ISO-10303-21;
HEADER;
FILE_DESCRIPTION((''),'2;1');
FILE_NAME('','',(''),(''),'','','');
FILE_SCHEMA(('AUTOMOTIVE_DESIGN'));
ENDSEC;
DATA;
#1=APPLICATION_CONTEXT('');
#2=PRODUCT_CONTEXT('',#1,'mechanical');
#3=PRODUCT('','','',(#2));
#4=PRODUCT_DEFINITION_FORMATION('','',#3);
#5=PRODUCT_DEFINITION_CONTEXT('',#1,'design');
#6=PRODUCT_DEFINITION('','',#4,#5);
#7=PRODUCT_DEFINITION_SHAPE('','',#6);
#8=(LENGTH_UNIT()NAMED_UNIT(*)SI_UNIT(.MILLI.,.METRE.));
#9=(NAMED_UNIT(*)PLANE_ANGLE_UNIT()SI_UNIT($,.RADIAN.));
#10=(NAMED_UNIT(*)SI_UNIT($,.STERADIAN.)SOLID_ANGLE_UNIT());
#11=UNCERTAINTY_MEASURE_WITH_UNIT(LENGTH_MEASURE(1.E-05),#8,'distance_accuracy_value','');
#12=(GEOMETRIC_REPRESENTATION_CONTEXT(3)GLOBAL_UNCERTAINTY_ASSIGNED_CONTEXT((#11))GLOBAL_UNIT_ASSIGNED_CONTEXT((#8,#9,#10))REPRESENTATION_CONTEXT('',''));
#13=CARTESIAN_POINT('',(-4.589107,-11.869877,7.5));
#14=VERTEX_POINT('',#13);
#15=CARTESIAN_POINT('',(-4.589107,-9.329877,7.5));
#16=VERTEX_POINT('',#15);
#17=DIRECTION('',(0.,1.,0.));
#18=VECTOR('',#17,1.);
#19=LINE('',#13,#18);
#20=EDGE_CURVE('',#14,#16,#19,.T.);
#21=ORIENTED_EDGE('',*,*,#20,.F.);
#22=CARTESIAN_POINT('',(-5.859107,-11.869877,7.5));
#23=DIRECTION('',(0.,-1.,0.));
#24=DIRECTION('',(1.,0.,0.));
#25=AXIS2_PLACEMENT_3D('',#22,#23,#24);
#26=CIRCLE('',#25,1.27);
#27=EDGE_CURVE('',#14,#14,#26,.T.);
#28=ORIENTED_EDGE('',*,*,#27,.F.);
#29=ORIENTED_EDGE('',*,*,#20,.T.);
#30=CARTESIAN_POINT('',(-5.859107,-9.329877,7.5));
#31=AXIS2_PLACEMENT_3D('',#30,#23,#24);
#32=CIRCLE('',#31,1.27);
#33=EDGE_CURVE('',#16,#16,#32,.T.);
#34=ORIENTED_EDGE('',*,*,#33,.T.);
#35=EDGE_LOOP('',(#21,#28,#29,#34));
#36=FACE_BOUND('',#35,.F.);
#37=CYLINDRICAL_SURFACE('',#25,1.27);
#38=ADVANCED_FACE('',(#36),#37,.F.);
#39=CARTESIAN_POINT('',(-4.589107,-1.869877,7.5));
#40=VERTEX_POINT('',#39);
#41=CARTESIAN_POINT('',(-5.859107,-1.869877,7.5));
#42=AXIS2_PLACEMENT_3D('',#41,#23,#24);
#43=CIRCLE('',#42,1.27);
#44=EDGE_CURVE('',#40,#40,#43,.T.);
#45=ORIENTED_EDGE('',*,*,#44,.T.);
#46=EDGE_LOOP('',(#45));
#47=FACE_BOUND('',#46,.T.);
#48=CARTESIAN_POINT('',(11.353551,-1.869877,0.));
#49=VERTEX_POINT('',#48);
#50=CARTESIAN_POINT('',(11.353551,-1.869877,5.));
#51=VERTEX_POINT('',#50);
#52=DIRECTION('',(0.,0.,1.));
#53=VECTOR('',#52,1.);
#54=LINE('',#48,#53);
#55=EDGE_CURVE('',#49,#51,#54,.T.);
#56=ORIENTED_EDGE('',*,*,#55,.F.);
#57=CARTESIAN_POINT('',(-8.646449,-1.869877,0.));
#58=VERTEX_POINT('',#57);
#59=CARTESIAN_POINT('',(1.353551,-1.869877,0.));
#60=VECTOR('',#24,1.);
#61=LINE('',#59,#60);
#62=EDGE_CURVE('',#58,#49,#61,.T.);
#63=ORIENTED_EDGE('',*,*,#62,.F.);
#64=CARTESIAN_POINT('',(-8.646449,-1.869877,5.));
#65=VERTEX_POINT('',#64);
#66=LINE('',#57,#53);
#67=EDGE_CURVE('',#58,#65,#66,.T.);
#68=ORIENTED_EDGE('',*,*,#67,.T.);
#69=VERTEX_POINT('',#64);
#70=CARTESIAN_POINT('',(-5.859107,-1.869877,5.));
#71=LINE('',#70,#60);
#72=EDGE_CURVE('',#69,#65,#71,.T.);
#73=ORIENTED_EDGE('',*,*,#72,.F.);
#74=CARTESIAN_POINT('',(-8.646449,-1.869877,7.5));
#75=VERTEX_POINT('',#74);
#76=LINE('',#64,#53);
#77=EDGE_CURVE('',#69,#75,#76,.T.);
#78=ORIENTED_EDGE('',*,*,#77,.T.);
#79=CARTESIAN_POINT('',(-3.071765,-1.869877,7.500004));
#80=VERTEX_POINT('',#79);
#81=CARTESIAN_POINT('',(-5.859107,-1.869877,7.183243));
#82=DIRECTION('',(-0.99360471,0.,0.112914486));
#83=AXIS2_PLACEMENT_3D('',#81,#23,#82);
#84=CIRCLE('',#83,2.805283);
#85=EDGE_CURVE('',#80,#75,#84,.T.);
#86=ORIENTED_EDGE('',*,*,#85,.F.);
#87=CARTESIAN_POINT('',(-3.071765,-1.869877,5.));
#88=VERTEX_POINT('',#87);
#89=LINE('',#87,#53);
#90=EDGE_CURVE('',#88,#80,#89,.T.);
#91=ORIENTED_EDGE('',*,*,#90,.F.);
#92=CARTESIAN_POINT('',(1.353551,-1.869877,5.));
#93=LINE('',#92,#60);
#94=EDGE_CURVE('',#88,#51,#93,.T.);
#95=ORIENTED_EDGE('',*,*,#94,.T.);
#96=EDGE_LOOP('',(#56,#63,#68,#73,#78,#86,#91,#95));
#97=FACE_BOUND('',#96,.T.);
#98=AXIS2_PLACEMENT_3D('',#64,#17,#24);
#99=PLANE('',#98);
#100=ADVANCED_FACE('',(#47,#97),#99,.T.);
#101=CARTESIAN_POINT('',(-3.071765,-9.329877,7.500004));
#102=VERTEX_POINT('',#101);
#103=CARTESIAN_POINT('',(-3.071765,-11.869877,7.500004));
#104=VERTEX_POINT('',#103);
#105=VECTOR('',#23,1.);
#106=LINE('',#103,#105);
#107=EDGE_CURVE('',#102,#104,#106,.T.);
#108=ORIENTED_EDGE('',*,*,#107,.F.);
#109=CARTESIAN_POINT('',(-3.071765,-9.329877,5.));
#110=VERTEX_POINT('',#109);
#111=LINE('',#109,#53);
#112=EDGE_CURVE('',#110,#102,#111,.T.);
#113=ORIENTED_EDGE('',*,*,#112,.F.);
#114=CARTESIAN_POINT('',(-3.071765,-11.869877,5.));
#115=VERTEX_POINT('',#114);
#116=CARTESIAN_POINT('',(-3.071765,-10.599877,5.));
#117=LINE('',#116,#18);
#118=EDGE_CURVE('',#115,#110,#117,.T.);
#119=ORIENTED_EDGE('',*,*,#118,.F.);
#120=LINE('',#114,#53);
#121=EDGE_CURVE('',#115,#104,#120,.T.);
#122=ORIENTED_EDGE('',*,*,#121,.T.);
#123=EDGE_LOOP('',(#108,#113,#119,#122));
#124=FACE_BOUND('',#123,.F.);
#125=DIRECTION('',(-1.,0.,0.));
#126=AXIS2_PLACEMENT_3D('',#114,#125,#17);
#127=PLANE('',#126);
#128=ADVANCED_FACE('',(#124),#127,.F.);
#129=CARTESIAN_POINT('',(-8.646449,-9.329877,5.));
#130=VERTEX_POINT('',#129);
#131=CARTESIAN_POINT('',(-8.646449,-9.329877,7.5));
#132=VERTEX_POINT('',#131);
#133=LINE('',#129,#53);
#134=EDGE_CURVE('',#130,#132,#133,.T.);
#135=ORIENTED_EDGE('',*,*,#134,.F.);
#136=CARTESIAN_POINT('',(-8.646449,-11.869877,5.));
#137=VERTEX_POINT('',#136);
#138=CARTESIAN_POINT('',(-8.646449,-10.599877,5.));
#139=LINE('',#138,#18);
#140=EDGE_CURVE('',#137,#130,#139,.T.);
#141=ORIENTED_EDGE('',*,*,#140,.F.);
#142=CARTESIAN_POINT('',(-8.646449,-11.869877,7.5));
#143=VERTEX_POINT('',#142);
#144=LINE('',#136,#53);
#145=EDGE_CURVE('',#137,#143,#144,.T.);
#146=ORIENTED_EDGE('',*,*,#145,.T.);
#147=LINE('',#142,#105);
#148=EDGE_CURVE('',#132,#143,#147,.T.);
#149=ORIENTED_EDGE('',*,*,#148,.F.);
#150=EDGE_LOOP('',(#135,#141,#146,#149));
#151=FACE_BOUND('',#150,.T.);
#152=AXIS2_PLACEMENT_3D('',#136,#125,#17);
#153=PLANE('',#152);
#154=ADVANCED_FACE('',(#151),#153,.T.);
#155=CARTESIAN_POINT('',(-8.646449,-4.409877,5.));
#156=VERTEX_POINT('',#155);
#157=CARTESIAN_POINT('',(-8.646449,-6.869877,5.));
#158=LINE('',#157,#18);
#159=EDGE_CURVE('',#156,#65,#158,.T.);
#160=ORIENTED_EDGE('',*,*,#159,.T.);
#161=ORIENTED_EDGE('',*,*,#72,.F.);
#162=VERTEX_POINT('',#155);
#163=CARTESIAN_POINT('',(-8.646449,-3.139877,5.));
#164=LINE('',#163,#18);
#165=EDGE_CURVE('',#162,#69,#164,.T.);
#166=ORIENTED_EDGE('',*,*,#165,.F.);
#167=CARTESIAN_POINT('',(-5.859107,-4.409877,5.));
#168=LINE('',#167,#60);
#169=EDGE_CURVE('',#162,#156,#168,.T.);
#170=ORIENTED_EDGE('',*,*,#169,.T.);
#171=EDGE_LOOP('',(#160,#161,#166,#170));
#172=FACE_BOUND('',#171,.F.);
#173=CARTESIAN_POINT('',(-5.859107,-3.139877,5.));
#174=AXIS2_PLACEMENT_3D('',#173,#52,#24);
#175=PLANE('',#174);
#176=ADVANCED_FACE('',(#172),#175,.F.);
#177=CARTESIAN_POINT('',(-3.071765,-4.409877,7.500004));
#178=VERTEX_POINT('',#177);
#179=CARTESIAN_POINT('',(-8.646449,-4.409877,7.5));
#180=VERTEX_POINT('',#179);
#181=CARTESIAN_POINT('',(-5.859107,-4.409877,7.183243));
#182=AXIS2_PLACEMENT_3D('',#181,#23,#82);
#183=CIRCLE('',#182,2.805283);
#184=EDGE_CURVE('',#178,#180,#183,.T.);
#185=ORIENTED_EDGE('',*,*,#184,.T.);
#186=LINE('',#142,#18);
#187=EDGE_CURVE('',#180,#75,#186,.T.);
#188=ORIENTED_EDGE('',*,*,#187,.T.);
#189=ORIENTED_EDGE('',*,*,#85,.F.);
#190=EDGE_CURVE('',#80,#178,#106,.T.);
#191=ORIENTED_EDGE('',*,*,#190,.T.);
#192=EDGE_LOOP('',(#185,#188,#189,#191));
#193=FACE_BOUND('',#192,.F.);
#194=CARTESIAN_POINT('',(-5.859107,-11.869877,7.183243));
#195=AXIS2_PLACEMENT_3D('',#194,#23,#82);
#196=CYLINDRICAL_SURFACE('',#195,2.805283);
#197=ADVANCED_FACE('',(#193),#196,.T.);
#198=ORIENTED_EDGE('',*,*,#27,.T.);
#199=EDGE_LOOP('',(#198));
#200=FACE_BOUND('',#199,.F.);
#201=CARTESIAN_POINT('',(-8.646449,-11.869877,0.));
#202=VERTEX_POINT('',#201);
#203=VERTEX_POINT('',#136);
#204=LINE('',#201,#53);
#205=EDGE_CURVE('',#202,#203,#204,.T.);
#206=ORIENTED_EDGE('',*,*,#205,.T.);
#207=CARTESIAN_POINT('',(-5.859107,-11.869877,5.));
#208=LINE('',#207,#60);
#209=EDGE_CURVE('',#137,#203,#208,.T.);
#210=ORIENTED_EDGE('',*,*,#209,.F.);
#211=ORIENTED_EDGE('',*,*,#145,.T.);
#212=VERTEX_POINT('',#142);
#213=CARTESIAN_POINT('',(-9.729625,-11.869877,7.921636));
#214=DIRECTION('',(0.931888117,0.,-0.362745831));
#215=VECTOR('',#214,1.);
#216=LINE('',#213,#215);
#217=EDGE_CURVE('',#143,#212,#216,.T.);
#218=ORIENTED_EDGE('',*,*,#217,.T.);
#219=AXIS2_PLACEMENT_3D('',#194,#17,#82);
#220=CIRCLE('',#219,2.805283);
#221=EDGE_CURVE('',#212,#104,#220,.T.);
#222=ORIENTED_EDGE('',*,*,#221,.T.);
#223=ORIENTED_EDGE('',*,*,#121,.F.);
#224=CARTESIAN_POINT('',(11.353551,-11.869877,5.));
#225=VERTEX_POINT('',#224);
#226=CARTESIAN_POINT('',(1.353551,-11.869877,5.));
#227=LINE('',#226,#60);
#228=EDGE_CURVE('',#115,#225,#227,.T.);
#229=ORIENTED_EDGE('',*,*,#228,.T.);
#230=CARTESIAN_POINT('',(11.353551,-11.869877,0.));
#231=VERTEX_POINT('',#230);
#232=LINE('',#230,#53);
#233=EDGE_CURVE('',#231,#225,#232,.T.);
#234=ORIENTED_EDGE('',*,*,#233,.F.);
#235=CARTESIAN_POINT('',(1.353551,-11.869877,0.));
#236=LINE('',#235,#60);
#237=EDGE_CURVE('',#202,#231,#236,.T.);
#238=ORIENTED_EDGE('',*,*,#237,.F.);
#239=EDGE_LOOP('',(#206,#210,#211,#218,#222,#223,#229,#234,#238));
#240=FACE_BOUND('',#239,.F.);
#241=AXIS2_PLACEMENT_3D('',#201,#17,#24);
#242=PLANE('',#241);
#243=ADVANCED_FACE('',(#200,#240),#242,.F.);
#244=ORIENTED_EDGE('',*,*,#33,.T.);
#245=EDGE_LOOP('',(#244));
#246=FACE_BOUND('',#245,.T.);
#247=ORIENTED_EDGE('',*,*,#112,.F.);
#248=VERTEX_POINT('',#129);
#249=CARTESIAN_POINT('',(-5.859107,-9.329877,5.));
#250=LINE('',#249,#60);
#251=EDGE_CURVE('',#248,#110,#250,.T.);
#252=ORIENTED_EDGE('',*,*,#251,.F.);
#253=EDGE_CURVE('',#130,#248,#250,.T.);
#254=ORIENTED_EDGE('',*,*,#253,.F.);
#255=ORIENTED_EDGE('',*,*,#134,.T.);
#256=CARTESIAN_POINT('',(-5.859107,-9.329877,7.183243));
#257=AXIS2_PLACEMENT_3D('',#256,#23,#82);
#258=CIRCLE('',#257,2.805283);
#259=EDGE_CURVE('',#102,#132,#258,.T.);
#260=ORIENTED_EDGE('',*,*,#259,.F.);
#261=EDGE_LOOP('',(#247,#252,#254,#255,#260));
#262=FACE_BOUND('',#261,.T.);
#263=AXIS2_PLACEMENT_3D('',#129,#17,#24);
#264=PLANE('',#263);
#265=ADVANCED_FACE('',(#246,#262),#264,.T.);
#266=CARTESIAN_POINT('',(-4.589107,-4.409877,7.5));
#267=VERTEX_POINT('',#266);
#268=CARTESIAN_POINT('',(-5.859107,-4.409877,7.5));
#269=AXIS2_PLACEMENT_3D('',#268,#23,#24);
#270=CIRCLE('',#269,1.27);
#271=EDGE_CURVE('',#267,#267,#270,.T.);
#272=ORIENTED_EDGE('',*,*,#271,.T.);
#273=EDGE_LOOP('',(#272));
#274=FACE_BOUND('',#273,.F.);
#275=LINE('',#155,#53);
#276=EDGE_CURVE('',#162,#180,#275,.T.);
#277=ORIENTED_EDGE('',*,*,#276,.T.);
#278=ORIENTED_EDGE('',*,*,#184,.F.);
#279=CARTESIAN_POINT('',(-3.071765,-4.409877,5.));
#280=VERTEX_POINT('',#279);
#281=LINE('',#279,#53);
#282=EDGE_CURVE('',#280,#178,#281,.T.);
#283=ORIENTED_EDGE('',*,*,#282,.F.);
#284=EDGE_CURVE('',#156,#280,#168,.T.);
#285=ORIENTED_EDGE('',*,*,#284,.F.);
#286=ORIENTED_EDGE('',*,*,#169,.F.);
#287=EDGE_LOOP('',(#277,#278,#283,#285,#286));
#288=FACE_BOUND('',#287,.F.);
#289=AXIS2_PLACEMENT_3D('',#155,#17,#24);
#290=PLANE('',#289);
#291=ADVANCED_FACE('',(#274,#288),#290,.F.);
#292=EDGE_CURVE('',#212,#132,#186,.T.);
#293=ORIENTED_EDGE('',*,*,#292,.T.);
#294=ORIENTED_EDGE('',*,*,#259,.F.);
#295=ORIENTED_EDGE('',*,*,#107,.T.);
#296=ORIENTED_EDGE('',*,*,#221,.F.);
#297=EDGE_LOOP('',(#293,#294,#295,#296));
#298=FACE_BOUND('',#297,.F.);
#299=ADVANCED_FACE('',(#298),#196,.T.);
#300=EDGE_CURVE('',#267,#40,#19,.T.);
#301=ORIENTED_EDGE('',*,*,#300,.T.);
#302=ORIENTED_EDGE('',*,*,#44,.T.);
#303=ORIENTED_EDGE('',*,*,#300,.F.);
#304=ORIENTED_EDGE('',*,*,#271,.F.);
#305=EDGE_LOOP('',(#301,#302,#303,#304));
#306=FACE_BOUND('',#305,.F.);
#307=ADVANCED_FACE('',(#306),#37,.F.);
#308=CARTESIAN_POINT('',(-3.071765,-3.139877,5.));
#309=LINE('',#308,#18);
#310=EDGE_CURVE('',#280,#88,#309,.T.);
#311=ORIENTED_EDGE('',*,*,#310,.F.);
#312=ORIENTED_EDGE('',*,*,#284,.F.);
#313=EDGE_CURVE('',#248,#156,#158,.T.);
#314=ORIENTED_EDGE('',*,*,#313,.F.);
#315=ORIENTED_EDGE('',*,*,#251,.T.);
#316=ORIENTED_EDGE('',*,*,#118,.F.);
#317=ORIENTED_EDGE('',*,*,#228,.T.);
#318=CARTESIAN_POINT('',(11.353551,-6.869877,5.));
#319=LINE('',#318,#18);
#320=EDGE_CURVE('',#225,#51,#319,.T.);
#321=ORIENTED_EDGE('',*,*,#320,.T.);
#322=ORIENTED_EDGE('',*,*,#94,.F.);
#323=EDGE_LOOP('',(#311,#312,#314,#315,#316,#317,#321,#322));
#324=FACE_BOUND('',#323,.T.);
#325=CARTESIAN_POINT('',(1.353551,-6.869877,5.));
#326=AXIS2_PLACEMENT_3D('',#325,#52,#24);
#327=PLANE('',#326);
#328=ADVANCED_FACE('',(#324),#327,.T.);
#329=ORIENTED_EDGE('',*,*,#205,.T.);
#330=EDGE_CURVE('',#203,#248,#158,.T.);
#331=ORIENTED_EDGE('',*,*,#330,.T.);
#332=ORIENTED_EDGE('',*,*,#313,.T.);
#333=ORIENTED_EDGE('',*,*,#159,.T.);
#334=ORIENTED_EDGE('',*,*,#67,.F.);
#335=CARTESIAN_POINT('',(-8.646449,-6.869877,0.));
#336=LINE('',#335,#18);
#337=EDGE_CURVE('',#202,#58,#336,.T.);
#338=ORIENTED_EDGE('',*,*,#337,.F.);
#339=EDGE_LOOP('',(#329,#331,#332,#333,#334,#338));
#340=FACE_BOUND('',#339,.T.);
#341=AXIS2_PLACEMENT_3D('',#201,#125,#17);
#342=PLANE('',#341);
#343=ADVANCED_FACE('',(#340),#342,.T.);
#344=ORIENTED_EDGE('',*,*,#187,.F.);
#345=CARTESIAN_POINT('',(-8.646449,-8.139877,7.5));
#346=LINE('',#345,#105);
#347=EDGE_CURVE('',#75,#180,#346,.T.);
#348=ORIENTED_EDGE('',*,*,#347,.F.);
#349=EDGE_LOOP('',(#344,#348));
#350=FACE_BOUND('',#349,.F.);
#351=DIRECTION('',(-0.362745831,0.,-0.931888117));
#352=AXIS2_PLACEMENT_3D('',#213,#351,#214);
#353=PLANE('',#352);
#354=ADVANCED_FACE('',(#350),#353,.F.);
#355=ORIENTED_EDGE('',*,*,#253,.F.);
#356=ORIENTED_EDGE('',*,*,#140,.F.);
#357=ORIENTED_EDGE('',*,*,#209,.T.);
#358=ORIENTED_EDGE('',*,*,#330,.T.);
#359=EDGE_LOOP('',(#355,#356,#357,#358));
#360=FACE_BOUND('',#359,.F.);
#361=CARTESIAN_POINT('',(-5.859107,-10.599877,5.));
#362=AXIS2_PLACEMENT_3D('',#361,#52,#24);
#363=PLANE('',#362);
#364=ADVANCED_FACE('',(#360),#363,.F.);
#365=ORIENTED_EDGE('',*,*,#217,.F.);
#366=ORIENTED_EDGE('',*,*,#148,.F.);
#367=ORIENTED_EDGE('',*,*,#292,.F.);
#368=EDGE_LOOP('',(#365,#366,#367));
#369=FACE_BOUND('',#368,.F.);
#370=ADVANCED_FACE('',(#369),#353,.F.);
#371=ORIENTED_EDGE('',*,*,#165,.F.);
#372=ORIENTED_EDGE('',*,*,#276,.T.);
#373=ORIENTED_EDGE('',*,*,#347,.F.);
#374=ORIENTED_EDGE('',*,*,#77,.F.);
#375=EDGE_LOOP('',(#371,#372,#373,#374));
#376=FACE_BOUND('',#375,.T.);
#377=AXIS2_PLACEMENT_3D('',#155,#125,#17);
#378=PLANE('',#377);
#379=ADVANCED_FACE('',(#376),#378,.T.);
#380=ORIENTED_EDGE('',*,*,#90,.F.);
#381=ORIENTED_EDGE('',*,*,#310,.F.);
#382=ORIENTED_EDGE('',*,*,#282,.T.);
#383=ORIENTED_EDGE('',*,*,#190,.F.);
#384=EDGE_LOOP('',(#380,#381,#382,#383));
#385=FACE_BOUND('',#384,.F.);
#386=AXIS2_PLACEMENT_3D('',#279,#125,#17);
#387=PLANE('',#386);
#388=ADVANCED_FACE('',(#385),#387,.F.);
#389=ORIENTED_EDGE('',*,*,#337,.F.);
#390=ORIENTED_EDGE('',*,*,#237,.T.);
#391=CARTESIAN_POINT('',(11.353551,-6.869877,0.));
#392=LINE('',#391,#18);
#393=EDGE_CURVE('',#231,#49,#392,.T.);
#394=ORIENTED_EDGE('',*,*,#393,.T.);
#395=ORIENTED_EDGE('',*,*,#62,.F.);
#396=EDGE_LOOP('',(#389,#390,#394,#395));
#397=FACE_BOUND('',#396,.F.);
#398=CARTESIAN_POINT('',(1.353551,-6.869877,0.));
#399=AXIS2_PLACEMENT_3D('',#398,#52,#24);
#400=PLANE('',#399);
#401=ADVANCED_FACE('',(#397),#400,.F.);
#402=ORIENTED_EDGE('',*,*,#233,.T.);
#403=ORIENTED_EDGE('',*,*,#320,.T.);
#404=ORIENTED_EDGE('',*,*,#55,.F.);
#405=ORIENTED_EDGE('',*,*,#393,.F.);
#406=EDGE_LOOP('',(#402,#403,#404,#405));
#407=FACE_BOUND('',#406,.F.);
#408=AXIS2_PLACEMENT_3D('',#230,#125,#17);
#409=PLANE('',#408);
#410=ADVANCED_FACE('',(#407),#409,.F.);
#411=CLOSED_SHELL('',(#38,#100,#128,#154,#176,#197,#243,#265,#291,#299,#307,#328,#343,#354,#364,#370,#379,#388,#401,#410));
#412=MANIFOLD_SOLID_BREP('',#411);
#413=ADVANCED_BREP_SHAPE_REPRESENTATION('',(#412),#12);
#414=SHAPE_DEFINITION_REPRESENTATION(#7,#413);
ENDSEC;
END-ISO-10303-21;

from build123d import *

# Parameters (mm, degrees)
F0_W     = 20
F0_H     = 10
F1_DEPTH = 5
F2_W     = 5.574685
F2_H     = 2.54
F3_DEPTH = 5
F5_DEPTH = 10.001
F6_R     = 1.27
F7_DEPTH = 10.001


with BuildPart() as f1:
    # F0 (on Top) → F1 (new body)
    with BuildSketch(Plane.XY):
        with Locations((1.353551, -6.869877)):
            Rectangle(F0_W, F0_H)
    extrude(amount=F1_DEPTH)

    # F2 (on face) → F3 (join)
    with BuildSketch(Plane.XY.offset(5)):
        with Locations((-5.859107, -3.139877)):
            Rectangle(F2_W, F2_H)
        with Locations((-5.859107, -10.599877)):
            Rectangle(F2_W, F2_H)
    extrude(amount=F3_DEPTH)

    # F4 (on face) → F5 (cut, through all)
    with BuildSketch(Plane.XZ.offset(11.869877)):
        Polygon((-3.071764, 10), (-3.071764, 7.5), (-2.419111, 7.5), (-2.419111, 10.895025), (-9.260142, 10.895025), (-9.729625, 7.921636), (-8.646449, 7.5), (-8.646449, 10), align=None)
        with BuildLine():
            ThreePointArc((-8.646449, 7.5), (-5.859107, 9.988526), (-3.071764, 7.5))
            Line((-3.071764, 7.5), (-3.071764, 10))
            Line((-3.071764, 10), (-8.646449, 10))
            Line((-8.646449, 10), (-8.646449, 7.5))
        make_face()
    extrude(amount=-F5_DEPTH, mode=Mode.SUBTRACT)

    # F6 (on face) → F7 (cut, through all)
    with BuildSketch(Plane.XZ.offset(11.869877)):
        with Locations((-5.859107, 7.5)):
            Circle(F6_R)
    extrude(amount=-F7_DEPTH, mode=Mode.SUBTRACT)


solid = f1.part
